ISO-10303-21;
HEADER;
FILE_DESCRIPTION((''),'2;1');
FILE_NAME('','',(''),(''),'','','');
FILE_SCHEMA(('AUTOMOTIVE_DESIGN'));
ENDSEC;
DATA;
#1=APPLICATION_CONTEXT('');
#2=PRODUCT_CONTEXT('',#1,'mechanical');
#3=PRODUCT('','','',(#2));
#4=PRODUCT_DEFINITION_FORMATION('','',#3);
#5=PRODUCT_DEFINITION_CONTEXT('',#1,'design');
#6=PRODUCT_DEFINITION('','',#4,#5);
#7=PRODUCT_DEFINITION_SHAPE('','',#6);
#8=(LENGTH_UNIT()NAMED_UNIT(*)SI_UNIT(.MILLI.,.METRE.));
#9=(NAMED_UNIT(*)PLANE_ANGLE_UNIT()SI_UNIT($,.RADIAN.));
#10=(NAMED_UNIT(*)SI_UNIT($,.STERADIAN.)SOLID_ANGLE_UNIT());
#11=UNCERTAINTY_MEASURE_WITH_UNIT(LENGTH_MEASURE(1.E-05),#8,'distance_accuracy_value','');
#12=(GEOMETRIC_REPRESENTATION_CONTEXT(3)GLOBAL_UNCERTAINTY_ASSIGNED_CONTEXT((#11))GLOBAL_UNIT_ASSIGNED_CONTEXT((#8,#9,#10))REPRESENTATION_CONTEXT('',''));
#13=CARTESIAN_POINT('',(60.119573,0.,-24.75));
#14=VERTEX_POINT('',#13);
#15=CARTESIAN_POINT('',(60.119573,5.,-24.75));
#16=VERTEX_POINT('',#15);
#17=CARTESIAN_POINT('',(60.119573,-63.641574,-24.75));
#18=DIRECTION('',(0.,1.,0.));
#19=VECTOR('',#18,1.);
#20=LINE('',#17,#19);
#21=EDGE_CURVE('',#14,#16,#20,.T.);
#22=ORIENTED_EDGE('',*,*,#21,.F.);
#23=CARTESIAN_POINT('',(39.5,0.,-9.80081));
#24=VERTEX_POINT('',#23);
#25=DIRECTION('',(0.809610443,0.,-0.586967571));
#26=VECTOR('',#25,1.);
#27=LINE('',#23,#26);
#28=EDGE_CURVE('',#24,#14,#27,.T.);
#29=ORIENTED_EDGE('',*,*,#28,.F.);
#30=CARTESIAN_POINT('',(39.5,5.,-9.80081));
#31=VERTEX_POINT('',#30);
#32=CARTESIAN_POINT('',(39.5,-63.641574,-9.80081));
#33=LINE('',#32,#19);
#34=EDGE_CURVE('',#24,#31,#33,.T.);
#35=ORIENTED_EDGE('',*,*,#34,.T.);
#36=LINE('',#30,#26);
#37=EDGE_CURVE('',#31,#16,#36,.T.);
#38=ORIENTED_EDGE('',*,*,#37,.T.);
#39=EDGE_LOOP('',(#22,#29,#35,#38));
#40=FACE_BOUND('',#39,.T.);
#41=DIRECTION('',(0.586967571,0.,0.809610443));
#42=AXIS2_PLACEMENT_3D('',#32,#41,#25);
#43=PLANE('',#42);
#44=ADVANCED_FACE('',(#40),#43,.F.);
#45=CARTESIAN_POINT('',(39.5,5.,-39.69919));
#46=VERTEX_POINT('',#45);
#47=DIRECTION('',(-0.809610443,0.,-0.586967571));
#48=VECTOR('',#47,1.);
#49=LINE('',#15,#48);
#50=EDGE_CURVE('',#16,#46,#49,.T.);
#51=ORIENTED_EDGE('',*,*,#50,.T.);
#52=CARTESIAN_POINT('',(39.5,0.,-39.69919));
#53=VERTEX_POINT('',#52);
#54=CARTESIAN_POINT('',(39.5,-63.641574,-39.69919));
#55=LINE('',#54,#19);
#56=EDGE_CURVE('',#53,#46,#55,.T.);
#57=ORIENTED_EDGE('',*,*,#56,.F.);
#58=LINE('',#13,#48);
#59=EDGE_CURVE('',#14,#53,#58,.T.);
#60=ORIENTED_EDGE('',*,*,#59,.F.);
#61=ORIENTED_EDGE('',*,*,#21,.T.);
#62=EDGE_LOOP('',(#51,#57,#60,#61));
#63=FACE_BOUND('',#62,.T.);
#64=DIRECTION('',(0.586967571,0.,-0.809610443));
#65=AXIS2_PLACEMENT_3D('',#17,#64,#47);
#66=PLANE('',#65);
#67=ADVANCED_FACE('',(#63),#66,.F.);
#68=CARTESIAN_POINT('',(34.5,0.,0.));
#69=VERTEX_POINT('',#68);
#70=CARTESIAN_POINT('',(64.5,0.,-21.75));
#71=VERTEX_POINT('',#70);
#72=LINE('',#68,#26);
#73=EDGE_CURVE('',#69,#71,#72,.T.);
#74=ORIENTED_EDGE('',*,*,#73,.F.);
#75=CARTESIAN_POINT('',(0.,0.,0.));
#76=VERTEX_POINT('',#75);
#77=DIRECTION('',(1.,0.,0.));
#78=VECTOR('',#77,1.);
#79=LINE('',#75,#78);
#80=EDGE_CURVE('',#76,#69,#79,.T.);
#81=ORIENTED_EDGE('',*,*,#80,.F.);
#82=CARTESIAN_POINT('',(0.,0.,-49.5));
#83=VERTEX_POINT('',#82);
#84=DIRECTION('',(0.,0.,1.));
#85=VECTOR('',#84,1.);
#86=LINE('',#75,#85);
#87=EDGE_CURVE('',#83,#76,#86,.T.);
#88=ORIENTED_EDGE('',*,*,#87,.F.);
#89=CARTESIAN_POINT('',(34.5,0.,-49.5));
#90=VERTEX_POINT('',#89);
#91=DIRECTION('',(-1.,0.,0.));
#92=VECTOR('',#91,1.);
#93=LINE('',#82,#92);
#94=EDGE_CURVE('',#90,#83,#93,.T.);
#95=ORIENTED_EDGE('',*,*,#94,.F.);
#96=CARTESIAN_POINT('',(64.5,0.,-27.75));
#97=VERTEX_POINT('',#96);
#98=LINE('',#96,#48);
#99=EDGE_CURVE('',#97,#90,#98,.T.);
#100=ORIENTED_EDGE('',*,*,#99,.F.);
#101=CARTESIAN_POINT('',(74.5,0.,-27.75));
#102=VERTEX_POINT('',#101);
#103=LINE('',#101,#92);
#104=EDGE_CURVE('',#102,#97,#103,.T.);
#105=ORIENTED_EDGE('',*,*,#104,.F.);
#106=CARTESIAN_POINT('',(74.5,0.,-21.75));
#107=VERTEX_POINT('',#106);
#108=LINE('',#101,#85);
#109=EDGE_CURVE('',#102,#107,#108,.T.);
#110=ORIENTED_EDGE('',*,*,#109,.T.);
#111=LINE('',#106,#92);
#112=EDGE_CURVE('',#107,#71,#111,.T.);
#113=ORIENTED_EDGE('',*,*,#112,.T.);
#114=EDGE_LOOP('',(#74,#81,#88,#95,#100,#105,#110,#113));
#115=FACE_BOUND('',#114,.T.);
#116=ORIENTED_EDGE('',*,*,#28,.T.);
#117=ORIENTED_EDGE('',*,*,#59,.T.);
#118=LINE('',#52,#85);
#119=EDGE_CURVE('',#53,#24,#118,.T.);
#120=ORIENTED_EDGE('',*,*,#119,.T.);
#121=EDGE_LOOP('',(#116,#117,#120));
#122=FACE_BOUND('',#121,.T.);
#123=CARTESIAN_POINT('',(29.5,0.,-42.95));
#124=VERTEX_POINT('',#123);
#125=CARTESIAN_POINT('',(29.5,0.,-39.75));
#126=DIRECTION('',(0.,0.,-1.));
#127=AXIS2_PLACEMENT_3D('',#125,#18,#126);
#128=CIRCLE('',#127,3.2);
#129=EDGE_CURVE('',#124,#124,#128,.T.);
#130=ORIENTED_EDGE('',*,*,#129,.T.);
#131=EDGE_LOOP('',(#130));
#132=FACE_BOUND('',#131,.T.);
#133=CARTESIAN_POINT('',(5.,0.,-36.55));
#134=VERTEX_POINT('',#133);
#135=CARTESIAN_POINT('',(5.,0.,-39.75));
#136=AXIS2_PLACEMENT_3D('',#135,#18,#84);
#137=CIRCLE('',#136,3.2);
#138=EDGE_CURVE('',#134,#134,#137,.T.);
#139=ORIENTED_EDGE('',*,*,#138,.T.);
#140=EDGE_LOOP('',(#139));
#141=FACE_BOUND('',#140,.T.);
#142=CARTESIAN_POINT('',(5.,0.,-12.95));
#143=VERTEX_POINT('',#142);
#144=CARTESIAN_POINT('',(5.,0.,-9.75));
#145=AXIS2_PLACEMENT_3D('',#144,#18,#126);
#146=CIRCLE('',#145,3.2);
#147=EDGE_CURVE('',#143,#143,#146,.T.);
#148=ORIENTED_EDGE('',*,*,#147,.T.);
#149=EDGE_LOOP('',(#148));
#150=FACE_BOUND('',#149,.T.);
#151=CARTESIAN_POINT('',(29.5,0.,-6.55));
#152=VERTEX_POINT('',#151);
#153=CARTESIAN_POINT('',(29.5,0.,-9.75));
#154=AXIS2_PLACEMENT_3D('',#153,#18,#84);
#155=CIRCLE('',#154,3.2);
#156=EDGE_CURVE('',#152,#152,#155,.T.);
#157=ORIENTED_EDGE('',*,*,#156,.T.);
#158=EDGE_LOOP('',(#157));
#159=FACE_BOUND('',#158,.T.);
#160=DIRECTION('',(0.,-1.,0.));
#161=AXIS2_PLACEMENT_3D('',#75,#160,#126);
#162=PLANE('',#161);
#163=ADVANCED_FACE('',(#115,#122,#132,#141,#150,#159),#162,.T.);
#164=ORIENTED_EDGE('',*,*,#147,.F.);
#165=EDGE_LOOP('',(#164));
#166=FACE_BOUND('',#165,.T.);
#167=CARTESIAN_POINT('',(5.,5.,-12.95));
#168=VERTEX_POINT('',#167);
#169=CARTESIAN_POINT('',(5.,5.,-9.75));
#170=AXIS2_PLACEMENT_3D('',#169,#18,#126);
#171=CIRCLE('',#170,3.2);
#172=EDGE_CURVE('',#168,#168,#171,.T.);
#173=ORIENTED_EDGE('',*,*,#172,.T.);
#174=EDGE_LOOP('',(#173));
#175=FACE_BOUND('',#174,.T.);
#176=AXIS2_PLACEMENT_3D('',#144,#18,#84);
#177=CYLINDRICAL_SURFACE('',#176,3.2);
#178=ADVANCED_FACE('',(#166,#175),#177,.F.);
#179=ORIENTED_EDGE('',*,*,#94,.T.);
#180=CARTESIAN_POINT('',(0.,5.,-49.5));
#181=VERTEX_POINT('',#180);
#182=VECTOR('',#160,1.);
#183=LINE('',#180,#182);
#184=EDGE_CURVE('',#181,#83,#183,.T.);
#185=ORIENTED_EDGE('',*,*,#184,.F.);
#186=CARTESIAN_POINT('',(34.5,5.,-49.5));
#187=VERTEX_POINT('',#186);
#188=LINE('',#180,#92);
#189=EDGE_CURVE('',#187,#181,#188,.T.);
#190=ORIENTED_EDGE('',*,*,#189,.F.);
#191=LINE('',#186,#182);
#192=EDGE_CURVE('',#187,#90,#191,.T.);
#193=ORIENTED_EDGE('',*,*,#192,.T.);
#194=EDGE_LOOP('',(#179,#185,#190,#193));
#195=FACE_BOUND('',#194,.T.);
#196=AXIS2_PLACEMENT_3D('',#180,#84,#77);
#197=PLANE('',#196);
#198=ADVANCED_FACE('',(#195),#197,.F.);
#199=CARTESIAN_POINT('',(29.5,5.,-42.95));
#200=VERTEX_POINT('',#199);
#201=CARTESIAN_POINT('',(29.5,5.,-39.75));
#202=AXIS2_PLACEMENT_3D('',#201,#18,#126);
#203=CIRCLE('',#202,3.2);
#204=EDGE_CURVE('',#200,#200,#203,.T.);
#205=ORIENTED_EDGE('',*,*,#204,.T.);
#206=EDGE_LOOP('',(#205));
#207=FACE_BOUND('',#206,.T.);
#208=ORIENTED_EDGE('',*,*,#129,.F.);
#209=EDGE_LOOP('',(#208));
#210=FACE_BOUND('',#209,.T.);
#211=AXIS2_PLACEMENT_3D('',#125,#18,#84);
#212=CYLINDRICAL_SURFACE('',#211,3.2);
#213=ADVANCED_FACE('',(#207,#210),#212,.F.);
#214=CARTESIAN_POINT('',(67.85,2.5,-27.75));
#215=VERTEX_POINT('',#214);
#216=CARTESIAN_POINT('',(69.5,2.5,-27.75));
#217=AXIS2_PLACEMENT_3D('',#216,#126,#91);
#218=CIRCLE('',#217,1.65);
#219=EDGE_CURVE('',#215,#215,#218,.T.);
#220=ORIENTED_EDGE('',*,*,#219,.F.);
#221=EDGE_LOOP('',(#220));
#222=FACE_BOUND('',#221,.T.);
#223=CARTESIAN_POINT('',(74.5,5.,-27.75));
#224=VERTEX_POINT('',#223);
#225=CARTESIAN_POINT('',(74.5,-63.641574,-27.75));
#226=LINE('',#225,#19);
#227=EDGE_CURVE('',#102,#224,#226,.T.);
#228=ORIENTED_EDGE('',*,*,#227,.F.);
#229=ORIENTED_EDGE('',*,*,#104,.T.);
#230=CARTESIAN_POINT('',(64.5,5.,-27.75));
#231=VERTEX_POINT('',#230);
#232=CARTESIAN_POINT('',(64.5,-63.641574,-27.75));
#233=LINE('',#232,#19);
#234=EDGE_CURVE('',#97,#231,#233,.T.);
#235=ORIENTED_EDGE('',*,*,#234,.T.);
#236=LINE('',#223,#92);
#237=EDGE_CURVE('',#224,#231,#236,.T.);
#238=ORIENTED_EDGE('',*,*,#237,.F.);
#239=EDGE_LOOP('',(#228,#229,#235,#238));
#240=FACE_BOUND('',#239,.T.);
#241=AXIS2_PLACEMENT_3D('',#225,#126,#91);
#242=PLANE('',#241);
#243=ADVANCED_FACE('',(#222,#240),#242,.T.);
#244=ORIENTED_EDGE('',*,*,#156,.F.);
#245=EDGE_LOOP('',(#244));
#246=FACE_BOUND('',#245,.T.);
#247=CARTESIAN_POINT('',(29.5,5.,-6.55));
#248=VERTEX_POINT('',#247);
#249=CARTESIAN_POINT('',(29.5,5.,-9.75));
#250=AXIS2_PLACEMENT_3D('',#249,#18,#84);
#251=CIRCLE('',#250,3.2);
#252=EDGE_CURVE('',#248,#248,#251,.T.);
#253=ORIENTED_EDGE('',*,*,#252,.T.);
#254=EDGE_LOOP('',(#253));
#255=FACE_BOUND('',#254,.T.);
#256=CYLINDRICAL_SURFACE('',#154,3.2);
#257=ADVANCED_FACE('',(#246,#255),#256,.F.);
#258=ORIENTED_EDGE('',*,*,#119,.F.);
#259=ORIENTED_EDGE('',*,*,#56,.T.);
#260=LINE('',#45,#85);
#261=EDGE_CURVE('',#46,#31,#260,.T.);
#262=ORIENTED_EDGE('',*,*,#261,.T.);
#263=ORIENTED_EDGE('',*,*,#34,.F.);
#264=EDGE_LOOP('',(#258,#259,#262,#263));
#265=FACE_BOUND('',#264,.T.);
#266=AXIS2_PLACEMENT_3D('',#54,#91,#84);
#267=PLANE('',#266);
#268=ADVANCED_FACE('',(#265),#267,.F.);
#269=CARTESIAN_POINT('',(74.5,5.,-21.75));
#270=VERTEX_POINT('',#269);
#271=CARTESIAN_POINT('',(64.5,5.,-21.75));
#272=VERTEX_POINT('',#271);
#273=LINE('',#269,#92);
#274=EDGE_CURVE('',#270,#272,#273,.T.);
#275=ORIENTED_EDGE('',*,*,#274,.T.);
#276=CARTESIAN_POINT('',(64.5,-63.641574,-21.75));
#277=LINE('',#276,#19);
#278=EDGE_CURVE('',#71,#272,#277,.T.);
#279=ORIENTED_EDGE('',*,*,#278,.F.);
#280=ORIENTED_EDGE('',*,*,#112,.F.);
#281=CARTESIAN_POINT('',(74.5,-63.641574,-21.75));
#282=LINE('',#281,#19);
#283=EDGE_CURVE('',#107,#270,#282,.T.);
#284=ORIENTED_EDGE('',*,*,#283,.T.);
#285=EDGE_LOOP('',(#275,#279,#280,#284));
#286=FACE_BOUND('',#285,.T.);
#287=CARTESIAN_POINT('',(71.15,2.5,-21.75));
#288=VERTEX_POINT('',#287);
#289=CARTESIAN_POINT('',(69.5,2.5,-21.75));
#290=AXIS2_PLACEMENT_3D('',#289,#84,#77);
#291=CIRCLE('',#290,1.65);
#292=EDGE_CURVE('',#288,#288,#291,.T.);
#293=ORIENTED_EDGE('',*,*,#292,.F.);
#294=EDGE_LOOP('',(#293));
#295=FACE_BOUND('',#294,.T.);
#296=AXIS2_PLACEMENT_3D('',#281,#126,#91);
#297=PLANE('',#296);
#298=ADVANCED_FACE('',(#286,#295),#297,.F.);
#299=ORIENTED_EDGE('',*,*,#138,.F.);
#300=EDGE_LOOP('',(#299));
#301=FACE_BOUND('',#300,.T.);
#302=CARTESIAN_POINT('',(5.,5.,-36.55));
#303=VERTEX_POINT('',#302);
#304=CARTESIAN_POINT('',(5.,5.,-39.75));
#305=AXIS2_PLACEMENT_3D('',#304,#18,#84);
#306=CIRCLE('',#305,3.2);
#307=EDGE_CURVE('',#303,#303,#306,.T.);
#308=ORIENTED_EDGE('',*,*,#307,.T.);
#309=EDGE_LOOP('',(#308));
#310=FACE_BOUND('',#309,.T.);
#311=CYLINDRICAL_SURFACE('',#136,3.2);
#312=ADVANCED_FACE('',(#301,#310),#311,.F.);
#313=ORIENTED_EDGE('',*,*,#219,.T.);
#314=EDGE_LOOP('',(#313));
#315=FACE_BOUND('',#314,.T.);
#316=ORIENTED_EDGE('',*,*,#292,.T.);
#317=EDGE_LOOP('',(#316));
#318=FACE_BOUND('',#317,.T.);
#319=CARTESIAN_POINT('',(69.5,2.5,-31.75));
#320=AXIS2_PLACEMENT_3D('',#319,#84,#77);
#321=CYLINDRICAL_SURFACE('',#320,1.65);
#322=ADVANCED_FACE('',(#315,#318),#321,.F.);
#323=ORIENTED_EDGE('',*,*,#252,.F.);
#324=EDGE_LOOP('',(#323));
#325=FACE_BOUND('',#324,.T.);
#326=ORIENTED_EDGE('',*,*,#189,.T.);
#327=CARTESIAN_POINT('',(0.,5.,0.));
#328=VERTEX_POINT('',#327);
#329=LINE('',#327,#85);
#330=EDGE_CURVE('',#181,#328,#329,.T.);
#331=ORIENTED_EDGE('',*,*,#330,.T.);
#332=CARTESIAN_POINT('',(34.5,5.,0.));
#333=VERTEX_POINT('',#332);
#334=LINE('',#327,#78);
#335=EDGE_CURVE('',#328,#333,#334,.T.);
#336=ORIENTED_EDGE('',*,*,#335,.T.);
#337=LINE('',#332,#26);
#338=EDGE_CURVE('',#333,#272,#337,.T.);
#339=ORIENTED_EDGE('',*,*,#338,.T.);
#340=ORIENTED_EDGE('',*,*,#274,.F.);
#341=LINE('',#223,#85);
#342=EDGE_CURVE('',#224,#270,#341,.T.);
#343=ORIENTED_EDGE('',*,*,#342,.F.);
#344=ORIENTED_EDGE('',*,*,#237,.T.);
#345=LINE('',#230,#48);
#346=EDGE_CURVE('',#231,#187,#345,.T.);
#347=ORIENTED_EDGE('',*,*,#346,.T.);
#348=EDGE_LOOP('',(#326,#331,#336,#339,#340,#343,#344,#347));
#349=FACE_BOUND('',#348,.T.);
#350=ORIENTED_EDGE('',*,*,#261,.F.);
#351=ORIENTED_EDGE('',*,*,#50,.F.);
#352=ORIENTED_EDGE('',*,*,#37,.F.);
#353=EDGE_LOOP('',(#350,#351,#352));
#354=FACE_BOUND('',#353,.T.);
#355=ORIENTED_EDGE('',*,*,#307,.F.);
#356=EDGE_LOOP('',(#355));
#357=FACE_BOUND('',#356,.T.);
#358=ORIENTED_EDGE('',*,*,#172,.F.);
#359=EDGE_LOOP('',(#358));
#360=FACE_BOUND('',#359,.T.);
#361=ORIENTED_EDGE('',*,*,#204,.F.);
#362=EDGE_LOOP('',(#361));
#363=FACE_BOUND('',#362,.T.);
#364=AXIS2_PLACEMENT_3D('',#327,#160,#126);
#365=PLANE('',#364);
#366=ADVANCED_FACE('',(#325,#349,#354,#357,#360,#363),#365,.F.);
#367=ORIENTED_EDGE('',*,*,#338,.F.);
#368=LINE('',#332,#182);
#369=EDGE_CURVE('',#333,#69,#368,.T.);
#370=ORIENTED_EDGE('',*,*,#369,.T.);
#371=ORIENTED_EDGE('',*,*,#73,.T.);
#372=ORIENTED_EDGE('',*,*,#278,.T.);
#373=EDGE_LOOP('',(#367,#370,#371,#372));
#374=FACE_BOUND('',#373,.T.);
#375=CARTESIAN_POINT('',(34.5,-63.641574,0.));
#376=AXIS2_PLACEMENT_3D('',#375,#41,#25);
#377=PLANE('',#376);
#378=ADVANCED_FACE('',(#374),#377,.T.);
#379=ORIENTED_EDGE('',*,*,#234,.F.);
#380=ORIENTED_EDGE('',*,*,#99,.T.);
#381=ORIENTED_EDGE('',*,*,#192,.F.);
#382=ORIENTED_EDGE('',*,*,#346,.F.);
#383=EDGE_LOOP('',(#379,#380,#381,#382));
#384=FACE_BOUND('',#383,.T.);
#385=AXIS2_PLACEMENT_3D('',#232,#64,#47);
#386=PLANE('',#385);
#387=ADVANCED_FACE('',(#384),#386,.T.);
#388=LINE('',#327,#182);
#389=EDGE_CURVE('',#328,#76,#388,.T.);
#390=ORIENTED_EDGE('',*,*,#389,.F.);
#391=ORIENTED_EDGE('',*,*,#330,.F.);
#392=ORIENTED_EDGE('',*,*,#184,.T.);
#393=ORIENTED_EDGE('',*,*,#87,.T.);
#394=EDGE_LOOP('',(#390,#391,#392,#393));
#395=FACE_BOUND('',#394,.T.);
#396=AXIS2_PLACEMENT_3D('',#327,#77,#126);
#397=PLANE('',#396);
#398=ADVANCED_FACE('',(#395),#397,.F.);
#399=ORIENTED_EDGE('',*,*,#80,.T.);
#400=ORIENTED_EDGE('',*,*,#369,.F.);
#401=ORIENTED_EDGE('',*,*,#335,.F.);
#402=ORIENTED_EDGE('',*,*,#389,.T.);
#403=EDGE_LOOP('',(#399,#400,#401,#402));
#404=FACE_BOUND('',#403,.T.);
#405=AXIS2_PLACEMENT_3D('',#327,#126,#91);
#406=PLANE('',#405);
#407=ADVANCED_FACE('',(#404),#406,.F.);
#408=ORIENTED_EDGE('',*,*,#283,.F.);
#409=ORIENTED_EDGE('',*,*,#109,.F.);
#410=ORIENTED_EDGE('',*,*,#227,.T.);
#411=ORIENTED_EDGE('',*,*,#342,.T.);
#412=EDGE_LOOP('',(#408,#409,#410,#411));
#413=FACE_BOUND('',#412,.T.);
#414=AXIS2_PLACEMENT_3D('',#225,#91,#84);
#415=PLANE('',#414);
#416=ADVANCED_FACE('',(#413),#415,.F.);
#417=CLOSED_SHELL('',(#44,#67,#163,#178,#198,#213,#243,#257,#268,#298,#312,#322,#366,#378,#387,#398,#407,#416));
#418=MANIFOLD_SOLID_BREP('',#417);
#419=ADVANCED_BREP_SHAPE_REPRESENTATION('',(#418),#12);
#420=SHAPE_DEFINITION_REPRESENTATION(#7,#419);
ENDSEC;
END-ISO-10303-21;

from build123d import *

# Parameters (mm, degrees)
SKETCH1_W           = 34.5
SKETCH1_H           = 49.5
BOSS_EXTRUDE1_DEPTH = 5
SKETCH2_R           = 3.2
CUT_EXTRUDE1_DEPTH  = 5
SKETCH3_W           = 6
SKETCH3_H           = 25
BOSS_EXTRUDE2_DEPTH = 5
FILLET1_R           = 10
FILLET2_R           = 5
SKETCH6_W           = 166.1846994
SKETCH6_H           = 49.5
CUT_EXTRUDE3_DEPTH  = 10
BOSS_EXTRUDE3_DEPTH = 5
SKETCH8_R           = 1.65
CUT_EXTRUDE4_DEPTH  = 10


with BuildPart() as part:
    # Sketch1 → Boss-Extrude1 (new body)
    with BuildSketch(Plane(origin=(0, 0, 0), x_dir=(1, 0, 0), z_dir=(0, 1, 0))):
        with Locations((17.25, 24.75)):
            Rectangle(SKETCH1_W, SKETCH1_H)
    extrude(amount=BOSS_EXTRUDE1_DEPTH)

    # Sketch2 → Cut-Extrude1 (cut)
    with BuildSketch(Plane(origin=(0, 5, 0), x_dir=(1, 0, 0), z_dir=(0, 1, 0))):
        with Locations(Location((5, 39.75, 0), (0, 0, 270))):
            Circle(SKETCH2_R)
        with Locations(Location((5, 9.75, 0), (0, 0, 90))):
            Circle(SKETCH2_R)
        with Locations(Location((29.5, 9.75, 0), (0, 0, 270))):
            Circle(SKETCH2_R)
        with Locations(Location((29.5, 39.75, 0), (0, 0, 90))):
            Circle(SKETCH2_R)
    extrude(amount=-CUT_EXTRUDE1_DEPTH, mode=Mode.SUBTRACT)

    # Sketch3 → Boss-Extrude2 (add)
    with BuildSketch(Plane(origin=(0, 5, 0), x_dir=(1, 0, 0), z_dir=(0, 1, 0))):
        Polygon((189.75, 42.25), (34.5, 49.5), (34.5, 41.491281612), (84.094915791, 39.175254948), (84.094915791, 10.324745052), (34.5, 8.008718388), (34.5, 0), (189.75, 7.25), align=None)
        Polygon((171.053500921, 14.385612956), (89.094915791, 10.558239416), (89.094915791, 38.941760584), (171.053500921, 35.114387044), align=None, mode=Mode.SUBTRACT)
        with Locations((181.13, 24.75)):
            Rectangle(SKETCH3_W, SKETCH3_H, mode=Mode.SUBTRACT)
    extrude(amount=-BOSS_EXTRUDE2_DEPTH)

    # Fillet1
    fillet1_edges = [part.edges().sort_by_distance(p)[0] for p in [
        (34.5, 2.5, -8.008718388),
        (84.094915791, 2.5, -10.324745052),
        (84.094915791, 2.5, -39.175254948),
        (34.5, 2.5, -41.491281612),
        (89.094915791, 2.5, -38.941760584),
        (89.094915791, 2.5, -10.558239416),
    ]]
    fillet(fillet1_edges, radius=FILLET1_R)

    # Fillet2
    fillet2_edges = [part.edges().sort_by_distance(p)[0] for p in [
        (171.053500921, 2.5, -35.114387044),
        (171.053500921, 2.5, -14.385612956),
    ]]
    fillet(fillet2_edges, radius=FILLET2_R)

    # Sketch6 → Cut-Extrude3 (cut)
    with BuildSketch(Plane(origin=(0, 5, 0), x_dir=(1, 0, 0), z_dir=(0, 1, 0))):
        with Locations((117.5923497, 24.75)):
            Rectangle(SKETCH6_W, SKETCH6_H)
    extrude(amount=-CUT_EXTRUDE3_DEPTH, mode=Mode.SUBTRACT)

    # Sketch7 → Boss-Extrude3 (add)
    with BuildSketch(Plane(origin=(0, 5, 0), x_dir=(1, 0, 0), z_dir=(0, 1, 0))):
        Polygon((64.5, 27.75), (34.5, 49.5), (34.5, 0), (64.5, 21.75), (74.5, 21.75), (74.5, 27.75), align=None)
        Polygon((60.119572878, 24.75), (39.5, 39.699190336), (39.5, 9.800809664), align=None, mode=Mode.SUBTRACT)
    extrude(amount=-BOSS_EXTRUDE3_DEPTH)

    # Sketch8 → Cut-Extrude4 (cut)
    with BuildSketch(Plane.XY.offset(-21.75)):
        with Locations((69.5, 2.5)):
            Circle(SKETCH8_R)
    extrude(amount=-CUT_EXTRUDE4_DEPTH, mode=Mode.SUBTRACT)


solid = part.part
